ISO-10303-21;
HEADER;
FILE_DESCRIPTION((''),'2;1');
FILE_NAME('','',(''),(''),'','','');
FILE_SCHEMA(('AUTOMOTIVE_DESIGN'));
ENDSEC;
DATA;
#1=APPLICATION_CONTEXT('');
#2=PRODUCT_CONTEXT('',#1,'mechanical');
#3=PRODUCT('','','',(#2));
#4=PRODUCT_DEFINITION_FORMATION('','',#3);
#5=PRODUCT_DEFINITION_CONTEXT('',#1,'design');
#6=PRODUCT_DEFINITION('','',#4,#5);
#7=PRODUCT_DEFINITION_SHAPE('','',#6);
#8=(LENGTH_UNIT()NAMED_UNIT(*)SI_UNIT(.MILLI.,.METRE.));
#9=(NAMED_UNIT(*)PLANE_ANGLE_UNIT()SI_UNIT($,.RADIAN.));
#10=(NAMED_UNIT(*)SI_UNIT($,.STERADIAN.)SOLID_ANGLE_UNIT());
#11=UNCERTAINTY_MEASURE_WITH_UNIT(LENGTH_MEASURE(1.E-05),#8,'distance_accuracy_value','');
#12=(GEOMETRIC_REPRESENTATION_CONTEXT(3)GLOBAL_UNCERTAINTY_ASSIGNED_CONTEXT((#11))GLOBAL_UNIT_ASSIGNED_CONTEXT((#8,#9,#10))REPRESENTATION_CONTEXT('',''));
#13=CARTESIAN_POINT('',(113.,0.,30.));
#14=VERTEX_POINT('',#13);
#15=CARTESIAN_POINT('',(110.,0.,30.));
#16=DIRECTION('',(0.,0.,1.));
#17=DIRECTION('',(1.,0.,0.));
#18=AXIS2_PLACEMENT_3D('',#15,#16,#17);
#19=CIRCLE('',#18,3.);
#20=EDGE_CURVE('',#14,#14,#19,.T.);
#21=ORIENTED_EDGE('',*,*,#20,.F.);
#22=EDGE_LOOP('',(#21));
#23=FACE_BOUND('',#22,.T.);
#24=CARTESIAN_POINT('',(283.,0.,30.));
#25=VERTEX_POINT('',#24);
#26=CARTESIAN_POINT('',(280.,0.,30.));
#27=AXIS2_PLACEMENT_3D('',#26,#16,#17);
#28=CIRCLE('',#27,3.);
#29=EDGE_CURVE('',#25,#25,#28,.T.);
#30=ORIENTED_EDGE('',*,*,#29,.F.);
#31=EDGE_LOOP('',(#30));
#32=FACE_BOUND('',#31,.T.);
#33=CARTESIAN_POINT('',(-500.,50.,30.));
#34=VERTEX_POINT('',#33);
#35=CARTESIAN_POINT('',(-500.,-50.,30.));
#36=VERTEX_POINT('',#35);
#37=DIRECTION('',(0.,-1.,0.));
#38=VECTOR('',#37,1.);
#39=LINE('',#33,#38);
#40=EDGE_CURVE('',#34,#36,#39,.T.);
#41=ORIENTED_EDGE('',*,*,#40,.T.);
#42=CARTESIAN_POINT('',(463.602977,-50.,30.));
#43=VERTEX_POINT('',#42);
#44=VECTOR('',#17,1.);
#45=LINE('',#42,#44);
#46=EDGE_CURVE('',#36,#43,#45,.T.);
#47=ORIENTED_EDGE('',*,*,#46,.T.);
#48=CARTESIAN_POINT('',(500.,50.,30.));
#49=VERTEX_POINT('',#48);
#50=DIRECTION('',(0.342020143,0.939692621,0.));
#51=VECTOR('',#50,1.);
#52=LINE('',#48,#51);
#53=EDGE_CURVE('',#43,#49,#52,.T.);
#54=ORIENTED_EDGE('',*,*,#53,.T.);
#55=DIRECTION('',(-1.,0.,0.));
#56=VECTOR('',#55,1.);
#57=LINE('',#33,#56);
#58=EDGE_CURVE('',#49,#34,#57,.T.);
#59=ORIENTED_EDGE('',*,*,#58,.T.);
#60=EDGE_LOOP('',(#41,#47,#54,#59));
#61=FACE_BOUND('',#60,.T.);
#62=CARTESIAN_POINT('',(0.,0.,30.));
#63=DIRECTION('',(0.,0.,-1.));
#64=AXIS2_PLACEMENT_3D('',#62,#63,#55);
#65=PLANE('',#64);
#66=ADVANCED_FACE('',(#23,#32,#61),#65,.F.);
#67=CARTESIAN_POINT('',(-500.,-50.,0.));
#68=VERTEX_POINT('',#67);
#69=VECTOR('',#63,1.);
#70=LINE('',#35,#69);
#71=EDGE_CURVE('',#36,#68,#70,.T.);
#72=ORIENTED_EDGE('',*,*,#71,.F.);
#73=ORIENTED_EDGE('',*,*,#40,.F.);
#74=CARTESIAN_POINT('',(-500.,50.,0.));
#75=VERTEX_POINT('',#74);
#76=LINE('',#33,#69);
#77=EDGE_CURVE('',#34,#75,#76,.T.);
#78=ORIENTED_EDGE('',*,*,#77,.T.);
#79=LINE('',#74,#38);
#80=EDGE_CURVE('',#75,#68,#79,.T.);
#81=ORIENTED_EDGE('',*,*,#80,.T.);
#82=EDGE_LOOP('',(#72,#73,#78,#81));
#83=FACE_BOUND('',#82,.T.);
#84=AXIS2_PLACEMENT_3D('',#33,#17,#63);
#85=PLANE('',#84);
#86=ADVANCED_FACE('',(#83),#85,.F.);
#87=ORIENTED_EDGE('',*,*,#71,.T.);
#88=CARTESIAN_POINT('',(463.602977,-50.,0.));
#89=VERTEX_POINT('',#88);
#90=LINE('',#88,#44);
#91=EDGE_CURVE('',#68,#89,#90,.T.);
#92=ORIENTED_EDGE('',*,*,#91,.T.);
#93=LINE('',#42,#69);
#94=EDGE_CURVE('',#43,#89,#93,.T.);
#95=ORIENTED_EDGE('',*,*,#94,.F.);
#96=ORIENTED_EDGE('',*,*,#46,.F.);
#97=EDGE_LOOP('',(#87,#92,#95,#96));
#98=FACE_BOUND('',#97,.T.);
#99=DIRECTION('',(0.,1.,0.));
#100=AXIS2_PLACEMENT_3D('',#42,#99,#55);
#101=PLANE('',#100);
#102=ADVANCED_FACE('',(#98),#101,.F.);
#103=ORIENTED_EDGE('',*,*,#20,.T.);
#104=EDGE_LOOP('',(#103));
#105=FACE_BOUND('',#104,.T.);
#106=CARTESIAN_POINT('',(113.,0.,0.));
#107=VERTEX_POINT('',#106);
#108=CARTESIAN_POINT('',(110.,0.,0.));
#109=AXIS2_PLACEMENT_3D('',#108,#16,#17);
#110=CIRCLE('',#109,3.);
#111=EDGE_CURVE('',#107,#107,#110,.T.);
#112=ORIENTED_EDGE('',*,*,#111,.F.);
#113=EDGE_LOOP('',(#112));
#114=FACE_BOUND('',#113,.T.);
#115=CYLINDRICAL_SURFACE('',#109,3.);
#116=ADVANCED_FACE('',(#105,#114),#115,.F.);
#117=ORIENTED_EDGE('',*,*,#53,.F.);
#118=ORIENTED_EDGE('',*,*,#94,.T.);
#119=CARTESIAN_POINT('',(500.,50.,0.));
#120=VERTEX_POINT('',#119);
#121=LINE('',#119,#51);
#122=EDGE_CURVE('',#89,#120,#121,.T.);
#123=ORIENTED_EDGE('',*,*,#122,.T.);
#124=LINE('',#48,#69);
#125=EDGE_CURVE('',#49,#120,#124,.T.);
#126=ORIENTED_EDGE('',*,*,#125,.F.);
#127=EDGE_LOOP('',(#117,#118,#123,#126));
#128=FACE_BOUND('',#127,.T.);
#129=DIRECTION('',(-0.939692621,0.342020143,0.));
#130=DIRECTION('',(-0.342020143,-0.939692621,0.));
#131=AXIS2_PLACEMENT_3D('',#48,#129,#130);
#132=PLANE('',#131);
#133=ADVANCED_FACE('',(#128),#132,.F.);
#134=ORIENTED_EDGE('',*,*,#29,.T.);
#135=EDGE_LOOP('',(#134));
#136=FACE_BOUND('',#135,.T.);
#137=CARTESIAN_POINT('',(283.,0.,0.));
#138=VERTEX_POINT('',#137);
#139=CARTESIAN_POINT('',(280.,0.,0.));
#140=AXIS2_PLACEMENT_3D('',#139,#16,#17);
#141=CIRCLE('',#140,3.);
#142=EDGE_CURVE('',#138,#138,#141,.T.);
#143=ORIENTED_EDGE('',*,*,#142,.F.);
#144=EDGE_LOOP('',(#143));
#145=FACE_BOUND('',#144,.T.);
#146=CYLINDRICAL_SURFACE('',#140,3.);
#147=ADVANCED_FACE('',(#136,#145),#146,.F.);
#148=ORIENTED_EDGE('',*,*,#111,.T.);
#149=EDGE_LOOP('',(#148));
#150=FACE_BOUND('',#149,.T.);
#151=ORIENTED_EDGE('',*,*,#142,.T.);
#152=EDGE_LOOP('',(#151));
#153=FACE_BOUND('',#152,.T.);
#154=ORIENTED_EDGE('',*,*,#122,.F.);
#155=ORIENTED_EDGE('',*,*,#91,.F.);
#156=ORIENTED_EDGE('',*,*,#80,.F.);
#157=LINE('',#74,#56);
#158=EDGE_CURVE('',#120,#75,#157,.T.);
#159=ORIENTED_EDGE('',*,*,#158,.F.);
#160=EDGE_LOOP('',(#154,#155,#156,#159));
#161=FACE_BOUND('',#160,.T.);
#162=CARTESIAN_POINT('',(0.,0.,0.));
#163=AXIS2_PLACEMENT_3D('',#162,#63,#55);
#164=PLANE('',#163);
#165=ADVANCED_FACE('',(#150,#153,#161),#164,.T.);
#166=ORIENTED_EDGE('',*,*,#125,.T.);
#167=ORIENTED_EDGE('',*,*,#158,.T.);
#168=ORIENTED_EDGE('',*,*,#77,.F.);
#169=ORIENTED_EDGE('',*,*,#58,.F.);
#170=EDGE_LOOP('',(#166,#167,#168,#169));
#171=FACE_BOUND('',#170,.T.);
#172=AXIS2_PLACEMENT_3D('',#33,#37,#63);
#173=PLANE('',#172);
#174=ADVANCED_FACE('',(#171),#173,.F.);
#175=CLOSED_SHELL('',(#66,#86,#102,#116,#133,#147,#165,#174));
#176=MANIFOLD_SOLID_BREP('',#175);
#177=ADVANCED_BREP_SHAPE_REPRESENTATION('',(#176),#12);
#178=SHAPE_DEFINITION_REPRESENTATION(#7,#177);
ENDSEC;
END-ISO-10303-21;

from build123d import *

# Parameters (mm, degrees)
BOSS_EXTRUDE1_DEPTH = 30
SKETCH3_R           = 3
CUT_EXTRUDE2_DEPTH  = 504.388517946


with BuildPart() as part:
    # Sketch1 → Boss-Extrude1 (new body)
    with BuildSketch(Plane.XY):
        Polygon((500, 50), (463.602976573, -50), (-500, -50), (-500, 50), align=None)
    extrude(amount=BOSS_EXTRUDE1_DEPTH)

    # Sketch3 → Cut-Extrude2 (cut, through all)
    with BuildSketch(Plane.XY.offset(30)):
        with Locations((110, 0)):
            Circle(SKETCH3_R)
        with Locations((280, 0)):
            Circle(SKETCH3_R)
    extrude(amount=-CUT_EXTRUDE2_DEPTH, mode=Mode.SUBTRACT)


solid = part.part
